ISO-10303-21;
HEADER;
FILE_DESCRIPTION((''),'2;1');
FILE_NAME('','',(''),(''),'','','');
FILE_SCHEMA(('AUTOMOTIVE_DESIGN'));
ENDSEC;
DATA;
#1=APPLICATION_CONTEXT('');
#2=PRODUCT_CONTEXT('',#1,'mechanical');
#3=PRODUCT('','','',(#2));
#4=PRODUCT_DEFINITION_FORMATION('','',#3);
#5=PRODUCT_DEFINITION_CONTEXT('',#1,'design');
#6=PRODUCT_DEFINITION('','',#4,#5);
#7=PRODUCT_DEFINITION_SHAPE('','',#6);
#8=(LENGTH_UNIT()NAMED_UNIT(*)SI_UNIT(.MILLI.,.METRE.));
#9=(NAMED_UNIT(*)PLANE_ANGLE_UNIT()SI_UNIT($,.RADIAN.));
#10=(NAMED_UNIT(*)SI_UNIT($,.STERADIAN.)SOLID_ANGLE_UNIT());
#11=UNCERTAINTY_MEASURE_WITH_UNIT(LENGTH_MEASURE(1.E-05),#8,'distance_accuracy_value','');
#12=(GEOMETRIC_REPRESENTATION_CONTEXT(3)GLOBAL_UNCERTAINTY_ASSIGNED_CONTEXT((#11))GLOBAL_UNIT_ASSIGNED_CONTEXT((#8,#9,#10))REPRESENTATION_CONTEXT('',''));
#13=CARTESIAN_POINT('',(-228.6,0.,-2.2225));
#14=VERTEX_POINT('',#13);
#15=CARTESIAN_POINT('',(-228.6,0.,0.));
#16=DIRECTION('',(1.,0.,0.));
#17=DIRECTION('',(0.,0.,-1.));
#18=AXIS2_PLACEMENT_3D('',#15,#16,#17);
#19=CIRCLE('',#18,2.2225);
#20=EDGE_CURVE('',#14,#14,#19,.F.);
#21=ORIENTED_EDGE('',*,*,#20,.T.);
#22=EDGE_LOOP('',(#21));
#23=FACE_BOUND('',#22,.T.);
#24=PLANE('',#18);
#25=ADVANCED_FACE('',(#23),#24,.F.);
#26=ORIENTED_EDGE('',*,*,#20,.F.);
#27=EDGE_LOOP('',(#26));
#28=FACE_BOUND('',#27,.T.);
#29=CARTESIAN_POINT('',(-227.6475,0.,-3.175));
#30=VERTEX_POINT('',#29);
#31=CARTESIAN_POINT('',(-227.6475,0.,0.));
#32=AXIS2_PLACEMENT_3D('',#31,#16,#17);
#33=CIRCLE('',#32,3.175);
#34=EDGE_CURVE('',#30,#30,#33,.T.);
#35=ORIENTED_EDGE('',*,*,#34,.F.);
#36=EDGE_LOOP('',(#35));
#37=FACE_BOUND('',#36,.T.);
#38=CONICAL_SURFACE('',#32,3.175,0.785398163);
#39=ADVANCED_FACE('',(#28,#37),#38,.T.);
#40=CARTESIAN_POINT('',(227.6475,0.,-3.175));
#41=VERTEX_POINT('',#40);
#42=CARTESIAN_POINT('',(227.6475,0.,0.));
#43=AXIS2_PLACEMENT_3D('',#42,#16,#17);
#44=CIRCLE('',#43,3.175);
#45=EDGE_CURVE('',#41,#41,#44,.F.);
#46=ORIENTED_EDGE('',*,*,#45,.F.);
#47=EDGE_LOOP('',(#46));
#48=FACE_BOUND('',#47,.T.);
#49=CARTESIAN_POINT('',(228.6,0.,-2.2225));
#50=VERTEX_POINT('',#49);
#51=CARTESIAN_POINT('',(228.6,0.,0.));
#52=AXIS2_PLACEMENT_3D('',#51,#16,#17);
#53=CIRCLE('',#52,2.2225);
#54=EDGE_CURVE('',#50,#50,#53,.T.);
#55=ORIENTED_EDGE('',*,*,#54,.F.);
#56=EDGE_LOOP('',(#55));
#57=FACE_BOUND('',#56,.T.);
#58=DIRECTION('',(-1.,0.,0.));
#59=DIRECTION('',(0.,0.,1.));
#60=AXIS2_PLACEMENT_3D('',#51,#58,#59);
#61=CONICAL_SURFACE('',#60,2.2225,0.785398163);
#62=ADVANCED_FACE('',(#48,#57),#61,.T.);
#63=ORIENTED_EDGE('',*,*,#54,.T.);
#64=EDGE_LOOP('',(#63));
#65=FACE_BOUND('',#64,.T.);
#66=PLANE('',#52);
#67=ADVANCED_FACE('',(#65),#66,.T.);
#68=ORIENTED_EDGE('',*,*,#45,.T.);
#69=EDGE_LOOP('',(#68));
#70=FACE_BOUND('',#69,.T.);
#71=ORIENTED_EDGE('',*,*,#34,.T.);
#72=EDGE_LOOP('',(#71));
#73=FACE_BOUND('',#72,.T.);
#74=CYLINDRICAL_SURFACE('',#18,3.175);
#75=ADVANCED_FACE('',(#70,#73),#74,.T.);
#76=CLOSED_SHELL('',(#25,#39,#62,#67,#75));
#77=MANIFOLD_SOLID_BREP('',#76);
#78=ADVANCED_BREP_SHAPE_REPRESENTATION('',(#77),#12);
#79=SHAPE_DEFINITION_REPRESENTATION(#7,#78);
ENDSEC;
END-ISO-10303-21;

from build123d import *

# Parameters (mm, degrees)
SKETCH2_R                = 3.175
BOSS_EXTRUDE1_DEPTH      = 228.6
BOSS_EXTRUDE1_DEPTH_BACK = 228.6
CHAMFER1_SIZE            = 0.9525


with BuildPart() as part:
    # Sketch2 → Boss-Extrude1 (new body, two sides)
    with BuildSketch(Plane(origin=(0, 0, 0), x_dir=(0, 0, -1), z_dir=(1, 0, 0))) as boss_extrude1_sk:
        Circle(SKETCH2_R)
    extrude(amount=BOSS_EXTRUDE1_DEPTH)
    extrude(boss_extrude1_sk.sketch, amount=-BOSS_EXTRUDE1_DEPTH_BACK)

    # Chamfer1
    chamfer1_edges = [part.edges().sort_by_distance(p)[0] for p in [
        (-228.6, 0, 3.175),
        (228.6, 0, 3.175),
    ]]
    chamfer(chamfer1_edges, length=CHAMFER1_SIZE)


solid = part.part
